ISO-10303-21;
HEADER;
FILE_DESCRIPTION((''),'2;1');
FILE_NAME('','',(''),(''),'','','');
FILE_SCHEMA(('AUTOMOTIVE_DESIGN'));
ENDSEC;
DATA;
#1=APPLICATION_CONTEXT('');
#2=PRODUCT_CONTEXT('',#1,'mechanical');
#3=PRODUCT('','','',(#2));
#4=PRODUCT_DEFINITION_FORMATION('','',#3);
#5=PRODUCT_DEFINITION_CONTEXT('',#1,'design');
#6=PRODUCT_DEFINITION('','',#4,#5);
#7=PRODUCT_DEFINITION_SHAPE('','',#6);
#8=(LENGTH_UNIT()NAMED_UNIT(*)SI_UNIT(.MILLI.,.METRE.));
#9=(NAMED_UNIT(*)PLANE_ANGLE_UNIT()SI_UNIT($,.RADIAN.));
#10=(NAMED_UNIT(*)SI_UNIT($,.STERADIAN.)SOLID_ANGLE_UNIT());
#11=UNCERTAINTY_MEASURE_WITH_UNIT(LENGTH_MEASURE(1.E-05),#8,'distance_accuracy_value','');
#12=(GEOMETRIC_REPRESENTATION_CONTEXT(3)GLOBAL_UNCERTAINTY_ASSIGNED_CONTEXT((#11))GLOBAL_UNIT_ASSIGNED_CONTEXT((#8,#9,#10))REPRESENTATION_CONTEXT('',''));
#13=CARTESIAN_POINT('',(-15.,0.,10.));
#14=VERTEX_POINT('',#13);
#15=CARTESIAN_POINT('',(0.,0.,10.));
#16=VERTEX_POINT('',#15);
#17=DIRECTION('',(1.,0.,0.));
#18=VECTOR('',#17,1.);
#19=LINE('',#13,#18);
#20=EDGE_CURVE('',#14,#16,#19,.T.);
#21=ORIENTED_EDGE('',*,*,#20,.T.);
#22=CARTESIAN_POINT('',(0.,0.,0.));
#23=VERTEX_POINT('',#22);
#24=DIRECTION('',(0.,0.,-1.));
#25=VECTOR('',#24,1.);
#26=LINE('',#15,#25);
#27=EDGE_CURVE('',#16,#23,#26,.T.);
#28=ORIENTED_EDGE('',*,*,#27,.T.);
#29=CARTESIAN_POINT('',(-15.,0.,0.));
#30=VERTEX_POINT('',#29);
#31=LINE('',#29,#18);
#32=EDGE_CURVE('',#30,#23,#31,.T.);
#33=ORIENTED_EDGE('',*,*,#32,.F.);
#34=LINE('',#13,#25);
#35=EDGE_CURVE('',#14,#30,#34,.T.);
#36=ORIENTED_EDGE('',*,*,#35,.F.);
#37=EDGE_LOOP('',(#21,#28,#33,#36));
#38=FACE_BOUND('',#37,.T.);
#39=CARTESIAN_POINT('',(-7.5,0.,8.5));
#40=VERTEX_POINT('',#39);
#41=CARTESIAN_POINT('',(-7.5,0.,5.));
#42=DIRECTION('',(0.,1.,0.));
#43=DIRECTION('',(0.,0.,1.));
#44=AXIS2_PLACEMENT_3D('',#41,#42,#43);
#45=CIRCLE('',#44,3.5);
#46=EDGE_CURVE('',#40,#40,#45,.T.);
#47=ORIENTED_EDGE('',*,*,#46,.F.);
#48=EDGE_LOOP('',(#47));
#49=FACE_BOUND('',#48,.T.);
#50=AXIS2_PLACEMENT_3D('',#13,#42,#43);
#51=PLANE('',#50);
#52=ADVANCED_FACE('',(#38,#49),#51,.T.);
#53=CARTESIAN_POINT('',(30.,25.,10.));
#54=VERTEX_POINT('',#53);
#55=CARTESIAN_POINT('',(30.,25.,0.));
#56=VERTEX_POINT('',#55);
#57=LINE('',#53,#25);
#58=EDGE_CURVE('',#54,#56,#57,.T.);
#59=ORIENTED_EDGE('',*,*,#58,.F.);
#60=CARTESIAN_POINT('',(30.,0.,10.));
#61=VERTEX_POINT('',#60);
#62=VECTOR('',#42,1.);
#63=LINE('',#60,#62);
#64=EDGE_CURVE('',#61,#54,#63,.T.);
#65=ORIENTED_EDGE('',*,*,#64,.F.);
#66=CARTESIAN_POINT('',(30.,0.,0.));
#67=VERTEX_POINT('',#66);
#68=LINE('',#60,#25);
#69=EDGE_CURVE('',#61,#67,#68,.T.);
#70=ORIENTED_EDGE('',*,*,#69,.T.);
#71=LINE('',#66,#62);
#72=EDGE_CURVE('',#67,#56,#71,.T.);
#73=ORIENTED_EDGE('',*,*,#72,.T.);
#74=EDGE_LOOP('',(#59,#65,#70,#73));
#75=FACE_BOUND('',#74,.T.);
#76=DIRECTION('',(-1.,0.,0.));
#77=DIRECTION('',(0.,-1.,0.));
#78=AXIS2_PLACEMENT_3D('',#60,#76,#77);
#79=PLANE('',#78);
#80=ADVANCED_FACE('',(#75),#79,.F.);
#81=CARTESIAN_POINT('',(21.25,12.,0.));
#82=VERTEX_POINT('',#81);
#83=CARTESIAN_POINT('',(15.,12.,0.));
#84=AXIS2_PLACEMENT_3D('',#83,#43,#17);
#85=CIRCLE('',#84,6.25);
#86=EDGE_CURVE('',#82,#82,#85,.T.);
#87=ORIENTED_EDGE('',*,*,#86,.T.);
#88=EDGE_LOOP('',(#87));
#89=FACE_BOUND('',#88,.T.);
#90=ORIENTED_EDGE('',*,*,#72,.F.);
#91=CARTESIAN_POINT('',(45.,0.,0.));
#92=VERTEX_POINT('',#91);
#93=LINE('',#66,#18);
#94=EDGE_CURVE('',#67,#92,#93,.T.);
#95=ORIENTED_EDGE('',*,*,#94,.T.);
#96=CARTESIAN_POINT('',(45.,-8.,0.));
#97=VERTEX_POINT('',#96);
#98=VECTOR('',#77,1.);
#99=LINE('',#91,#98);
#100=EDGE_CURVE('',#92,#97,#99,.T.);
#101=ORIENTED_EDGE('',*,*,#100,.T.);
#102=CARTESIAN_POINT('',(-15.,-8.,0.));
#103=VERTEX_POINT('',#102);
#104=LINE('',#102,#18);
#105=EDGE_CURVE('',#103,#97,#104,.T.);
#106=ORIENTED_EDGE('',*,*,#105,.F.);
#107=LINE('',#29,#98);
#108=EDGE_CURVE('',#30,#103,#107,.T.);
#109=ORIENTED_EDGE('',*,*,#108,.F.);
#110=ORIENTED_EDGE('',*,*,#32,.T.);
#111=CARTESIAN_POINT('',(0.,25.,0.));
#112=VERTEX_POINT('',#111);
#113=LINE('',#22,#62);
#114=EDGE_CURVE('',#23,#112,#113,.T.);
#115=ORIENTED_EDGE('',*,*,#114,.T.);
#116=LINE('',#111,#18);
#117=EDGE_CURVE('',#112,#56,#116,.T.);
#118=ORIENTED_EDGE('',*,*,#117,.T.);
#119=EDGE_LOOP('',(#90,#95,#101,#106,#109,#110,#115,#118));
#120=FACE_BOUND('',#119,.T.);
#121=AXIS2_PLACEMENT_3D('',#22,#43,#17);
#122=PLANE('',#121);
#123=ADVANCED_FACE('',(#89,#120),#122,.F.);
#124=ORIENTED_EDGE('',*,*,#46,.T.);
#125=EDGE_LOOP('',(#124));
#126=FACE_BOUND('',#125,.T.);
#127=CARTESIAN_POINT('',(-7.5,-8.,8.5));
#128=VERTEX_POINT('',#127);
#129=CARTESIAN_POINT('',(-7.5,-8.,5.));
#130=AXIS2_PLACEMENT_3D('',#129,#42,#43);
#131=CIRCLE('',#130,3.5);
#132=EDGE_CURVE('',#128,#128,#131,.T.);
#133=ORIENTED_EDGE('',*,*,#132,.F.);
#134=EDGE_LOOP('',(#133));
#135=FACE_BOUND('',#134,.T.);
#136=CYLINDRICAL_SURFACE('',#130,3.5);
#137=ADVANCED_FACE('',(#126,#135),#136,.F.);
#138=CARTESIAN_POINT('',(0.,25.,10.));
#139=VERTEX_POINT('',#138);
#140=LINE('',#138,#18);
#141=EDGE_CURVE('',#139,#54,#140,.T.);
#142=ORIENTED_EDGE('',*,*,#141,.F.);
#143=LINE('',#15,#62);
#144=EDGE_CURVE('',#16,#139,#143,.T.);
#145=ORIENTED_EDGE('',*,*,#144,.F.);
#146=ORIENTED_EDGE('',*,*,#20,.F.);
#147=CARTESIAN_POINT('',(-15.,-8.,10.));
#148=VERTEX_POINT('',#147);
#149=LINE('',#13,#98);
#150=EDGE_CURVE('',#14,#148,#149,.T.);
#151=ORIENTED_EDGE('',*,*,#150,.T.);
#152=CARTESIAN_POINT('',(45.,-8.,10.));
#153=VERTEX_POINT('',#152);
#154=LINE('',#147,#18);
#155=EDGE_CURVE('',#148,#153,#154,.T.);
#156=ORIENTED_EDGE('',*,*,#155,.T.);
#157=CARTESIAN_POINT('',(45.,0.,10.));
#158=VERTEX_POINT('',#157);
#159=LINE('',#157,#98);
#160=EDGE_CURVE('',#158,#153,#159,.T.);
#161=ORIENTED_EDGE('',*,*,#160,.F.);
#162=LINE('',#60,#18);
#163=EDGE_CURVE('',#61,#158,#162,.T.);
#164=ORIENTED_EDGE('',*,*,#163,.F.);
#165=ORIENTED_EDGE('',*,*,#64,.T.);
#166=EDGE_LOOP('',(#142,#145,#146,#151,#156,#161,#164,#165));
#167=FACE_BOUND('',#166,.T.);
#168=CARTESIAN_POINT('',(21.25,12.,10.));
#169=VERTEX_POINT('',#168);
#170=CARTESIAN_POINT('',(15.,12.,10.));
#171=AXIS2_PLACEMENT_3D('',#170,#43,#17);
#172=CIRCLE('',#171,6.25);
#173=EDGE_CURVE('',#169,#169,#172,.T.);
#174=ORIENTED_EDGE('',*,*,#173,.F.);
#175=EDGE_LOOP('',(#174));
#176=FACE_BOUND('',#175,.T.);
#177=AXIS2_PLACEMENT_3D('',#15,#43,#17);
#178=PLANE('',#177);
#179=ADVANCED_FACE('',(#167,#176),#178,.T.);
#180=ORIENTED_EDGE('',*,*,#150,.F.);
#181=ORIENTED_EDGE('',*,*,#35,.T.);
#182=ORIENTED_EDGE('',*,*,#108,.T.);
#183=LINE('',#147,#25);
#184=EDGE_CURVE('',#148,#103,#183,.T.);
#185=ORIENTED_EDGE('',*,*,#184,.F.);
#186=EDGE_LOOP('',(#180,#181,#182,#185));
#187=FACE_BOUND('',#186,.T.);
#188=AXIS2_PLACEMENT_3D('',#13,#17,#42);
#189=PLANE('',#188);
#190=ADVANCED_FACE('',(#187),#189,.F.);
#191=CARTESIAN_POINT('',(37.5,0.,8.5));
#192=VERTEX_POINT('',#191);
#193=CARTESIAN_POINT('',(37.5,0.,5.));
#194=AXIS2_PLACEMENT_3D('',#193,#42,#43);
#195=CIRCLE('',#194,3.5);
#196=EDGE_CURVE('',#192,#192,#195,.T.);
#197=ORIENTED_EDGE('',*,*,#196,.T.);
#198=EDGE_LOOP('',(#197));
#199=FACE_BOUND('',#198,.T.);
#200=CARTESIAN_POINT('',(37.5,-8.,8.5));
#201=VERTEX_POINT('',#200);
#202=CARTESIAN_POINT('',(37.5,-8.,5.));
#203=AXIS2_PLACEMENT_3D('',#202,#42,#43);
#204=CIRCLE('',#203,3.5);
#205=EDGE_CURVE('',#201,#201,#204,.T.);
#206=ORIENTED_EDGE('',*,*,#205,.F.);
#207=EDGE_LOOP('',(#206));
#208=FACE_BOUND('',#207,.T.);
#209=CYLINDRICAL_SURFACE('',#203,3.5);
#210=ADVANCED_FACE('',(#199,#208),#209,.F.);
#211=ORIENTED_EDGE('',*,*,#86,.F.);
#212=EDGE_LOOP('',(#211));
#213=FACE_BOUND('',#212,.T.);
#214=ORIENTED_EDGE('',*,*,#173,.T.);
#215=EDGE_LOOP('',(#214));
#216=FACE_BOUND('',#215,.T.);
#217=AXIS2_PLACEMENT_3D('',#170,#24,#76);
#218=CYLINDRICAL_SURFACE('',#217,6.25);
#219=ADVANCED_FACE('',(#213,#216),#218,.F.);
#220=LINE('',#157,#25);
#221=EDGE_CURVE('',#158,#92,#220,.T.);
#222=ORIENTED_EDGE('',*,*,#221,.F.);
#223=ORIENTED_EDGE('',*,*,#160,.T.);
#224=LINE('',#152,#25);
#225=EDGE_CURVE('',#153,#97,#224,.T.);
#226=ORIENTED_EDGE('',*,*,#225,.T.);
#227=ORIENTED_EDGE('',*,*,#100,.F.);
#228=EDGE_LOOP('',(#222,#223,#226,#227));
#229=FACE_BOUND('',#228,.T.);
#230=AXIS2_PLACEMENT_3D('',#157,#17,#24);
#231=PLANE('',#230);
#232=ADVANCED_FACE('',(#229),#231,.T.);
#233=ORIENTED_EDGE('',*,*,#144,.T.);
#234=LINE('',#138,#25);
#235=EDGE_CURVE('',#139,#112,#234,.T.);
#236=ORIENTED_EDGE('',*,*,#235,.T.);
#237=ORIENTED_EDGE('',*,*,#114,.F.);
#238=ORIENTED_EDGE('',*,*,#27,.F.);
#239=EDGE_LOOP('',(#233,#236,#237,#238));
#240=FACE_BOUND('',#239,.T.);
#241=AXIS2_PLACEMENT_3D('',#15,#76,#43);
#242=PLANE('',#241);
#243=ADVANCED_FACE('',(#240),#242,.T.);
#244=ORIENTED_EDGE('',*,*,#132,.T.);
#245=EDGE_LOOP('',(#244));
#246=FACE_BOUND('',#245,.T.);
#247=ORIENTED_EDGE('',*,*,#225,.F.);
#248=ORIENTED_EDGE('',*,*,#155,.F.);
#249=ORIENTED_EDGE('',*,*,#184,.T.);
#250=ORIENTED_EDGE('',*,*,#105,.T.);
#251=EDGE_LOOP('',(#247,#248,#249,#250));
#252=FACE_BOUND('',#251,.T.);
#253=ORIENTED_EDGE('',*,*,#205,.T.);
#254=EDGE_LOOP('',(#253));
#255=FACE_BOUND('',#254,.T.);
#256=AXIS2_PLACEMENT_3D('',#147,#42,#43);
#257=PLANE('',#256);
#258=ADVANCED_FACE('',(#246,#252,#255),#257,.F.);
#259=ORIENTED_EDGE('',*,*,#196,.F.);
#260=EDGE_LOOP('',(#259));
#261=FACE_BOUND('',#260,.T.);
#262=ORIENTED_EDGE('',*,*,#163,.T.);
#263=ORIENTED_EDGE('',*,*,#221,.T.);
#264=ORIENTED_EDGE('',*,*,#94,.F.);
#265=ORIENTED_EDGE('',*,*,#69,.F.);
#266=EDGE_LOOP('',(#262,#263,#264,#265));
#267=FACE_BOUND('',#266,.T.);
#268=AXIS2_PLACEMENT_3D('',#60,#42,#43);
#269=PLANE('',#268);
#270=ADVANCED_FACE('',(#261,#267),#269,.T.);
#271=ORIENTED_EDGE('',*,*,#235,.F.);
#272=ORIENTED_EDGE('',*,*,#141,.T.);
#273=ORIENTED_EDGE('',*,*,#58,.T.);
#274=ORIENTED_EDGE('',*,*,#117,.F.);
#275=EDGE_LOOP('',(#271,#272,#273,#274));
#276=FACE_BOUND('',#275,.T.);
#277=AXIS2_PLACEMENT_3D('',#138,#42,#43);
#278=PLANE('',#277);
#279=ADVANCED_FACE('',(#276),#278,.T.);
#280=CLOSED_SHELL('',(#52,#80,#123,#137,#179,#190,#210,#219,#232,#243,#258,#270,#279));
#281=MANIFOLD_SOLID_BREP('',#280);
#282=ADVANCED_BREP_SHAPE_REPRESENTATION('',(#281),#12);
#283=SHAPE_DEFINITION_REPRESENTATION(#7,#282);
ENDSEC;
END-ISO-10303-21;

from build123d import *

# Parameters (mm, degrees)
SKETCH_1_R          = 6.25
EXTRUDE_1_DEPTH     = 10
SKETCH_2_R          = 3.5
CUT_EXTRUDE_2_DEPTH = 53.440442409
SKETCH_3_R          = 3.5
CUT_EXTRUDE_3_DEPTH = 53.440442409


with BuildPart() as part:
    # 草圖1 → 填料-伸長1 (new body)
    with BuildSketch(Plane.XY):
        Polygon((30, 0), (45, 0), (45, -8), (-15, -8), (-15, 0), (0, 0), (0, 25), (30, 25), align=None)
        with Locations((15, 12)):
            Circle(SKETCH_1_R, mode=Mode.SUBTRACT)
    extrude(amount=EXTRUDE_1_DEPTH)

    # 草圖2 → 除料-伸長2 (cut, through all)
    with BuildSketch(Plane(origin=(0, 0, 0), x_dir=(1, 0, 0), z_dir=(0, 1, 0))):
        with Locations(Location((37.5, -5, 0), (0, 0, 270))):
            Circle(SKETCH_2_R)
    extrude(amount=-CUT_EXTRUDE_2_DEPTH, mode=Mode.SUBTRACT)

    # 草圖3 → 除料-伸長3 (cut, through all)
    with BuildSketch(Plane(origin=(0, 0, 0), x_dir=(1, 0, 0), z_dir=(0, 1, 0))):
        with Locations(Location((-7.5, -5, 0), (0, 0, 270))):
            Circle(SKETCH_3_R)
    extrude(amount=-CUT_EXTRUDE_3_DEPTH, mode=Mode.SUBTRACT)


solid = part.part
